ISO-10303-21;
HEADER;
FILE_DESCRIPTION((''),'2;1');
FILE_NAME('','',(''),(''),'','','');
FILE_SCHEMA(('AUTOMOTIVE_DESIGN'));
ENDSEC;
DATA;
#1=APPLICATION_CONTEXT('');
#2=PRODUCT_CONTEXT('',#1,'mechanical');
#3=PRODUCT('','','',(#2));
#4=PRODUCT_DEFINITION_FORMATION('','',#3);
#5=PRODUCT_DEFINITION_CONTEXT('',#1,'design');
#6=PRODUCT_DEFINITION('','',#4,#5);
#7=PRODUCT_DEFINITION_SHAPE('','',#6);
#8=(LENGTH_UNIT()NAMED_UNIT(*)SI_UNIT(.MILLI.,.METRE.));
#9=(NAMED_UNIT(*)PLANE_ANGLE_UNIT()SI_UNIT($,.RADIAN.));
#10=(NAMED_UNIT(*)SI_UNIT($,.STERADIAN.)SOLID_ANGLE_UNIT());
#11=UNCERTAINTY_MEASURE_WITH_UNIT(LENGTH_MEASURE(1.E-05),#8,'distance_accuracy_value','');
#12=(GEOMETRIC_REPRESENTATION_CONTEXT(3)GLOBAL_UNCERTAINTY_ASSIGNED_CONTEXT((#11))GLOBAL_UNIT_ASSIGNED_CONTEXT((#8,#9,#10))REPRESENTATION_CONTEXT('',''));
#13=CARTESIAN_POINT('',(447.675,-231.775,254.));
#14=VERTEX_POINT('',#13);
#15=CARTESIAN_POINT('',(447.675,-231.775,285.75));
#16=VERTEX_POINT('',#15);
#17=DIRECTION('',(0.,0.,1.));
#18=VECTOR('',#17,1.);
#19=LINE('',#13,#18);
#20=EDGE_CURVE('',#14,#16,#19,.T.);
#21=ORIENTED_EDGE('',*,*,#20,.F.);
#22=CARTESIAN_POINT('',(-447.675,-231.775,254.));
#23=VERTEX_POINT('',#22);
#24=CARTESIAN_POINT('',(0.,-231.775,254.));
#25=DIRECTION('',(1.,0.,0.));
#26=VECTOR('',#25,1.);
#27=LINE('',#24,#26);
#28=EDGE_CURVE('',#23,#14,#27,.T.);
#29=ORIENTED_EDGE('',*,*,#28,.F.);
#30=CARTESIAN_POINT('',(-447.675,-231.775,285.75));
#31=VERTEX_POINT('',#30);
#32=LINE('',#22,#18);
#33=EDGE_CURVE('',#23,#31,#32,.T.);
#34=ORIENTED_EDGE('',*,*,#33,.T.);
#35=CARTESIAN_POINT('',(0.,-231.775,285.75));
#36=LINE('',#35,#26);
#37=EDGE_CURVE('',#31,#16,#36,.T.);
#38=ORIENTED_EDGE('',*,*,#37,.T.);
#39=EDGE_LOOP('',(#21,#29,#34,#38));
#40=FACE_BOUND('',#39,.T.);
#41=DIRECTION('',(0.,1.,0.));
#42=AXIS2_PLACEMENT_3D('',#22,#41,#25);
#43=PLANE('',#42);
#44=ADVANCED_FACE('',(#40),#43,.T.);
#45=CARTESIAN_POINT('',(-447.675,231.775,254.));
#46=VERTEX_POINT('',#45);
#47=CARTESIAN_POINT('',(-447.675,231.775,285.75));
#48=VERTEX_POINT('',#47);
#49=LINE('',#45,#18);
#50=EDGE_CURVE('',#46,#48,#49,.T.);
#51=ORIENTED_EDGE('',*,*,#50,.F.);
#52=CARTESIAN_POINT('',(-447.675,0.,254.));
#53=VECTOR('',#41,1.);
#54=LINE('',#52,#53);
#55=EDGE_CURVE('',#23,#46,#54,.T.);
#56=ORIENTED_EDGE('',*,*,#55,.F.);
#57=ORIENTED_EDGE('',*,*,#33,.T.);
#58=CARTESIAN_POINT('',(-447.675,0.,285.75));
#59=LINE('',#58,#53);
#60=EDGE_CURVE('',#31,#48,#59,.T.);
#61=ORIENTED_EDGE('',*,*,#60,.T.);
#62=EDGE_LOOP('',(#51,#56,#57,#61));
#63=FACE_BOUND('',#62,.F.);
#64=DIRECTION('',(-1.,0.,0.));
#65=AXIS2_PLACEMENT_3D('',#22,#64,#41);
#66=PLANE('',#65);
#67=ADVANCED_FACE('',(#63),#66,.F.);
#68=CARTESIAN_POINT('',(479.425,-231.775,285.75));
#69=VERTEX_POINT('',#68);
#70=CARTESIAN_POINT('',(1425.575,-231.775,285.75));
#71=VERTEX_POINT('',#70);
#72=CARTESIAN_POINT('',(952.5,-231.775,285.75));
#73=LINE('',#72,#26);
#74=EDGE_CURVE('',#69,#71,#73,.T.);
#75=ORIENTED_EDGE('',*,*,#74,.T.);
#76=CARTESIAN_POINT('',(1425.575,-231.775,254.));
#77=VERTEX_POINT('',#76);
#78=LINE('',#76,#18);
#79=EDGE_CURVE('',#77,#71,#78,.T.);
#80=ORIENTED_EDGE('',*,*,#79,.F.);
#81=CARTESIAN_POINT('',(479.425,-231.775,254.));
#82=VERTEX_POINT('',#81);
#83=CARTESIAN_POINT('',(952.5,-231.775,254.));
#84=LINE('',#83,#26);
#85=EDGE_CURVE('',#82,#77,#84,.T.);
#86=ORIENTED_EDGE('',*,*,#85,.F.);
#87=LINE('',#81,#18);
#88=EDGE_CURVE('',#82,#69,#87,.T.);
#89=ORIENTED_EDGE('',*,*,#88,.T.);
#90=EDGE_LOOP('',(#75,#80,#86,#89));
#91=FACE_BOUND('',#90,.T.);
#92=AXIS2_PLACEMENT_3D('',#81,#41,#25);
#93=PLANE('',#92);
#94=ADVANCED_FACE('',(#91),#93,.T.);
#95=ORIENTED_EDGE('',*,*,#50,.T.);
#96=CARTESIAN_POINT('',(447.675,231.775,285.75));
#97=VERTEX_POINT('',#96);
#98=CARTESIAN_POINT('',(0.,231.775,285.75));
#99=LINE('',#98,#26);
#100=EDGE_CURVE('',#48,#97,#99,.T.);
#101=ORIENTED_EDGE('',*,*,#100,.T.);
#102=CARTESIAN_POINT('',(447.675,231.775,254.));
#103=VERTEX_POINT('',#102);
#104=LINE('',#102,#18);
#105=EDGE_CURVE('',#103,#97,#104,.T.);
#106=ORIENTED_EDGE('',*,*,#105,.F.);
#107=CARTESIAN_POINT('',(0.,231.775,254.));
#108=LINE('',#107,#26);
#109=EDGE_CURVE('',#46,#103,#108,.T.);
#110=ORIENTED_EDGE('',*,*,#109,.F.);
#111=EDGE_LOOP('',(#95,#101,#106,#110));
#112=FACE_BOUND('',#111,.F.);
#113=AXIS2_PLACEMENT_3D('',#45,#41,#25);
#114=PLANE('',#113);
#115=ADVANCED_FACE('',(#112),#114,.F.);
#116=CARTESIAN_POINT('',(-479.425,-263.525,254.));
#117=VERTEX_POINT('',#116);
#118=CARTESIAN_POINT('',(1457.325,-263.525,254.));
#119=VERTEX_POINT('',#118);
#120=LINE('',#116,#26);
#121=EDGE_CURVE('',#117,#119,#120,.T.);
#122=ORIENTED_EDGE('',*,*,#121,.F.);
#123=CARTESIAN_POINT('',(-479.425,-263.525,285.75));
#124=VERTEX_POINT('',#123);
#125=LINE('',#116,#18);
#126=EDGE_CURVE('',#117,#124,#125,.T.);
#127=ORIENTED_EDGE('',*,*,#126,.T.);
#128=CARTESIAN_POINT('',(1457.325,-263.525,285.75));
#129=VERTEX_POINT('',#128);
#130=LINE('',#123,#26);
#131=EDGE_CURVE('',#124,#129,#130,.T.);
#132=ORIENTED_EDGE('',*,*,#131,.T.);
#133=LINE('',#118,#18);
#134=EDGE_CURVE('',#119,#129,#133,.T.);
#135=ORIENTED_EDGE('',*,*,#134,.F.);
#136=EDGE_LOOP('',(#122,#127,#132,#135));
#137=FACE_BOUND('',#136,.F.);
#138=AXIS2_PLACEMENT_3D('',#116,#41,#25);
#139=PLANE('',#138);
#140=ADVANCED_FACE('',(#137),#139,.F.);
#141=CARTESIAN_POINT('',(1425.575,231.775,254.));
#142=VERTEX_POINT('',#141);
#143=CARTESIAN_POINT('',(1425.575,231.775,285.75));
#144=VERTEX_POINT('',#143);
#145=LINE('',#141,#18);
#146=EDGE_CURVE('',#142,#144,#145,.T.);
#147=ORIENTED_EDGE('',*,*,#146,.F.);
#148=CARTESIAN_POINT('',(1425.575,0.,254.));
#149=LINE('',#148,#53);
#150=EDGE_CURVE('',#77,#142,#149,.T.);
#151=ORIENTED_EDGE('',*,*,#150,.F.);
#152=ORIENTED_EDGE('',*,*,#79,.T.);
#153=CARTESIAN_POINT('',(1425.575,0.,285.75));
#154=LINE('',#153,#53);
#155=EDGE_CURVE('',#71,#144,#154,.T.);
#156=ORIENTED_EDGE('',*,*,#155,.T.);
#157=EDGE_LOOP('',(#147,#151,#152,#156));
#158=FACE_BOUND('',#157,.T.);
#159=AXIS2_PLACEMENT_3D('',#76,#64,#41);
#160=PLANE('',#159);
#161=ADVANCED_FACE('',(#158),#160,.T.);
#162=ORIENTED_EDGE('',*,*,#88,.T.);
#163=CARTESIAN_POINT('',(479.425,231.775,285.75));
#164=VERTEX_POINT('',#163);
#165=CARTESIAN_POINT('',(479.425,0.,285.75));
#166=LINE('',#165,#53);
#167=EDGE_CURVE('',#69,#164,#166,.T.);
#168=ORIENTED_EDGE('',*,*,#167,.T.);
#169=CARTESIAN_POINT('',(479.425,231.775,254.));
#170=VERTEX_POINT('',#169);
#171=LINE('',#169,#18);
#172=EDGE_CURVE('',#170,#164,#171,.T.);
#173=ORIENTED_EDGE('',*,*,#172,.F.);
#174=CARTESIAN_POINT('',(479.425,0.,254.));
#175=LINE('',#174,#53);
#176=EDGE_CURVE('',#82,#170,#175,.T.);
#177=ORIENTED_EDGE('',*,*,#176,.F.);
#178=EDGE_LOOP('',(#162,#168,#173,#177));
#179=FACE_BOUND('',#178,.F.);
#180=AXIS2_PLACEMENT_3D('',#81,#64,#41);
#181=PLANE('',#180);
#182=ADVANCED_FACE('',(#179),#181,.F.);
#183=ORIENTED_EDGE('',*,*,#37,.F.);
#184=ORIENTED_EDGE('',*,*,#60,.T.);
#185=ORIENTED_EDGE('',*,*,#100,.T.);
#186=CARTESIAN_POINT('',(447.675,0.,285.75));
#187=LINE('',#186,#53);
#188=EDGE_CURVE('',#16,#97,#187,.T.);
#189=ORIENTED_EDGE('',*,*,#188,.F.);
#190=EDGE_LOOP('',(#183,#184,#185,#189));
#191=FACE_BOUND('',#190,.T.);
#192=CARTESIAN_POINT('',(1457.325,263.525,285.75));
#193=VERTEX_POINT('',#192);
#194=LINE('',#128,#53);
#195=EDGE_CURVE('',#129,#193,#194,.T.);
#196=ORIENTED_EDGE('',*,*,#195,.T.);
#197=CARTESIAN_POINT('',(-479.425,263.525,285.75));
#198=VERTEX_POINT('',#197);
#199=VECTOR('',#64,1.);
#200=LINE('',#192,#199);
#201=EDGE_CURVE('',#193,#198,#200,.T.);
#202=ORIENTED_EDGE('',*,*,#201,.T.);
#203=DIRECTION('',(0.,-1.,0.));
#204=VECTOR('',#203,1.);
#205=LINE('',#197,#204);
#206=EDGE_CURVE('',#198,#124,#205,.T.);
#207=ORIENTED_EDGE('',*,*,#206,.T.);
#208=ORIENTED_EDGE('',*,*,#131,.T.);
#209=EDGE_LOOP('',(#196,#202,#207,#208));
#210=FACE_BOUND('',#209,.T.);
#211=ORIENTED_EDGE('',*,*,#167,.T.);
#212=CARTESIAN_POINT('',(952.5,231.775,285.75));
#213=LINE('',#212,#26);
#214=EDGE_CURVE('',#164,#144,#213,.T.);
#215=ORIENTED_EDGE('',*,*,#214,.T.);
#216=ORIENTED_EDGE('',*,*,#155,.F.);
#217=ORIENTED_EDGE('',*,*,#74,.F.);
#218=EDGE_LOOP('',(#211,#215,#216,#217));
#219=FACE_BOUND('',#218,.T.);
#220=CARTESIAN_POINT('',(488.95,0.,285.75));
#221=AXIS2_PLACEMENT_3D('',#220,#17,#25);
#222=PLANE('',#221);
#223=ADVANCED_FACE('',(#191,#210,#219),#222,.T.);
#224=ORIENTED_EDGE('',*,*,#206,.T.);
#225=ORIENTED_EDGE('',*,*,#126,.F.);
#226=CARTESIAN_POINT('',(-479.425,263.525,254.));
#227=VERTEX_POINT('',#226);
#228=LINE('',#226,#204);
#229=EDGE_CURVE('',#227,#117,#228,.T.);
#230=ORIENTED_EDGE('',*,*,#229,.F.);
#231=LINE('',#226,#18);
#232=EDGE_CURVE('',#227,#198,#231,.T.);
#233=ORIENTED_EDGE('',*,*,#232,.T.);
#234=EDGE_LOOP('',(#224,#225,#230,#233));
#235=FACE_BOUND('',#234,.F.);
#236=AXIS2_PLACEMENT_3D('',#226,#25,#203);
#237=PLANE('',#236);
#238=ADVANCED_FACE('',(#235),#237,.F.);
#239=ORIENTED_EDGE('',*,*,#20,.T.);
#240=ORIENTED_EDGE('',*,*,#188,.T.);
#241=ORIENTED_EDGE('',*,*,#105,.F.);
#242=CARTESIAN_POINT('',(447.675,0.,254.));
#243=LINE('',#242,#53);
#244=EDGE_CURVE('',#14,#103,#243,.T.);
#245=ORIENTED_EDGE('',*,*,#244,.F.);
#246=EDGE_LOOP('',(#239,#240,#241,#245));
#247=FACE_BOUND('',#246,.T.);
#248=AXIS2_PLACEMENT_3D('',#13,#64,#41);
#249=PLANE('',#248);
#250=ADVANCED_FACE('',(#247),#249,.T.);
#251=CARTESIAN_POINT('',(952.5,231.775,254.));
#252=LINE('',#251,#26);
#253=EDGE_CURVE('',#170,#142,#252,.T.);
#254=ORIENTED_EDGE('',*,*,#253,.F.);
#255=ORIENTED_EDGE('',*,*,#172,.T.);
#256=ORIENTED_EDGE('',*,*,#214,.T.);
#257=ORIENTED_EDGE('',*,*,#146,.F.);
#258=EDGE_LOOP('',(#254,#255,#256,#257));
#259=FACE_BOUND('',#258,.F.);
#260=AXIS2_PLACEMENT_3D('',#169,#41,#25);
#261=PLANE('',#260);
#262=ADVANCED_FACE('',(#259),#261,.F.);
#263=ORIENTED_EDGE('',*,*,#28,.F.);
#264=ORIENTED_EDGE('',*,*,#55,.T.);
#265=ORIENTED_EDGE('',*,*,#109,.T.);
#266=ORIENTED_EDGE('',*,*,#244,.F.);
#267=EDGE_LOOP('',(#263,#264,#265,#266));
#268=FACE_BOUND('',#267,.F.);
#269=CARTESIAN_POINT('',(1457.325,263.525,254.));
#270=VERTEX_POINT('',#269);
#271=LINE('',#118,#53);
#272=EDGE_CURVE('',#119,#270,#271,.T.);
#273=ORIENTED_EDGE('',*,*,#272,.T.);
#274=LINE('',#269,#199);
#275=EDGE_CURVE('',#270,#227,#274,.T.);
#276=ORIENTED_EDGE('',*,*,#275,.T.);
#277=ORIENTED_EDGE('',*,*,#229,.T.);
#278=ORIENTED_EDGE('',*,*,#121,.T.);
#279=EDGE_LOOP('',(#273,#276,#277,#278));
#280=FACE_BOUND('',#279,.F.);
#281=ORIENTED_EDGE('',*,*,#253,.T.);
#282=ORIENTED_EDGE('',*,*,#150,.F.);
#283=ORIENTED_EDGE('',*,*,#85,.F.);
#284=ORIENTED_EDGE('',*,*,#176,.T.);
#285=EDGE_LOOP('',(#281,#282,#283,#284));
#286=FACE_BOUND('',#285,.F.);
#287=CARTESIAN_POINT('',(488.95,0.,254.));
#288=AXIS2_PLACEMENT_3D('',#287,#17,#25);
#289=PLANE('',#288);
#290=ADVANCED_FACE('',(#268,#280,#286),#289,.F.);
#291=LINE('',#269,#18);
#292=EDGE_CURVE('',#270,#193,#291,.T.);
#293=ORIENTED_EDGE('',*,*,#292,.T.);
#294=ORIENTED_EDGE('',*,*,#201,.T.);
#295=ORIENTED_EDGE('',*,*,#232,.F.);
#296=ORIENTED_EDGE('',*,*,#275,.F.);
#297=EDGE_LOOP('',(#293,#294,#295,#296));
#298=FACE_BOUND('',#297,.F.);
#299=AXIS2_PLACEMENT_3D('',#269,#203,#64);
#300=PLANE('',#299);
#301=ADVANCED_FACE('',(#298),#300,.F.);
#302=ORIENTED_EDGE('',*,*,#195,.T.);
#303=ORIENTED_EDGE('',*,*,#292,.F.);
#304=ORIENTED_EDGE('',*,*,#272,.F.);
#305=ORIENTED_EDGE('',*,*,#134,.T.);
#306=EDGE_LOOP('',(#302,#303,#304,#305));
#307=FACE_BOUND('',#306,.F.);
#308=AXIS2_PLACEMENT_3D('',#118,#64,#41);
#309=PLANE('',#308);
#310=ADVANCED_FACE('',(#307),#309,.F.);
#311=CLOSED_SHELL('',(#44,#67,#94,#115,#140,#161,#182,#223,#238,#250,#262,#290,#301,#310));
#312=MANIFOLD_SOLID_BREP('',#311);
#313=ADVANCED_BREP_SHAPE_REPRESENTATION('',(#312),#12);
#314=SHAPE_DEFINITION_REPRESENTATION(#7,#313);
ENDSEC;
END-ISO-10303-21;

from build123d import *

# Parameters (mm, degrees)
F1_W     = 895.35
F1_H     = 463.55
F1_W_2   = 946.15
F2_DEPTH = 31.75


with BuildPart() as f2:
    # F1 (on offset) → F2 (new body)
    with BuildSketch(Plane.XY.offset(254)):
        Polygon((1457.325, 263.525), (479.425, 263.525), (-479.425, 263.525), (-479.425, -263.525), (479.425, -263.525), (1457.325, -263.525), align=None)
        Rectangle(F1_W, F1_H, mode=Mode.SUBTRACT)
        with Locations((952.5, 0)):
            Rectangle(F1_W_2, F1_H, mode=Mode.SUBTRACT)
    extrude(amount=F2_DEPTH)


solid = f2.part
